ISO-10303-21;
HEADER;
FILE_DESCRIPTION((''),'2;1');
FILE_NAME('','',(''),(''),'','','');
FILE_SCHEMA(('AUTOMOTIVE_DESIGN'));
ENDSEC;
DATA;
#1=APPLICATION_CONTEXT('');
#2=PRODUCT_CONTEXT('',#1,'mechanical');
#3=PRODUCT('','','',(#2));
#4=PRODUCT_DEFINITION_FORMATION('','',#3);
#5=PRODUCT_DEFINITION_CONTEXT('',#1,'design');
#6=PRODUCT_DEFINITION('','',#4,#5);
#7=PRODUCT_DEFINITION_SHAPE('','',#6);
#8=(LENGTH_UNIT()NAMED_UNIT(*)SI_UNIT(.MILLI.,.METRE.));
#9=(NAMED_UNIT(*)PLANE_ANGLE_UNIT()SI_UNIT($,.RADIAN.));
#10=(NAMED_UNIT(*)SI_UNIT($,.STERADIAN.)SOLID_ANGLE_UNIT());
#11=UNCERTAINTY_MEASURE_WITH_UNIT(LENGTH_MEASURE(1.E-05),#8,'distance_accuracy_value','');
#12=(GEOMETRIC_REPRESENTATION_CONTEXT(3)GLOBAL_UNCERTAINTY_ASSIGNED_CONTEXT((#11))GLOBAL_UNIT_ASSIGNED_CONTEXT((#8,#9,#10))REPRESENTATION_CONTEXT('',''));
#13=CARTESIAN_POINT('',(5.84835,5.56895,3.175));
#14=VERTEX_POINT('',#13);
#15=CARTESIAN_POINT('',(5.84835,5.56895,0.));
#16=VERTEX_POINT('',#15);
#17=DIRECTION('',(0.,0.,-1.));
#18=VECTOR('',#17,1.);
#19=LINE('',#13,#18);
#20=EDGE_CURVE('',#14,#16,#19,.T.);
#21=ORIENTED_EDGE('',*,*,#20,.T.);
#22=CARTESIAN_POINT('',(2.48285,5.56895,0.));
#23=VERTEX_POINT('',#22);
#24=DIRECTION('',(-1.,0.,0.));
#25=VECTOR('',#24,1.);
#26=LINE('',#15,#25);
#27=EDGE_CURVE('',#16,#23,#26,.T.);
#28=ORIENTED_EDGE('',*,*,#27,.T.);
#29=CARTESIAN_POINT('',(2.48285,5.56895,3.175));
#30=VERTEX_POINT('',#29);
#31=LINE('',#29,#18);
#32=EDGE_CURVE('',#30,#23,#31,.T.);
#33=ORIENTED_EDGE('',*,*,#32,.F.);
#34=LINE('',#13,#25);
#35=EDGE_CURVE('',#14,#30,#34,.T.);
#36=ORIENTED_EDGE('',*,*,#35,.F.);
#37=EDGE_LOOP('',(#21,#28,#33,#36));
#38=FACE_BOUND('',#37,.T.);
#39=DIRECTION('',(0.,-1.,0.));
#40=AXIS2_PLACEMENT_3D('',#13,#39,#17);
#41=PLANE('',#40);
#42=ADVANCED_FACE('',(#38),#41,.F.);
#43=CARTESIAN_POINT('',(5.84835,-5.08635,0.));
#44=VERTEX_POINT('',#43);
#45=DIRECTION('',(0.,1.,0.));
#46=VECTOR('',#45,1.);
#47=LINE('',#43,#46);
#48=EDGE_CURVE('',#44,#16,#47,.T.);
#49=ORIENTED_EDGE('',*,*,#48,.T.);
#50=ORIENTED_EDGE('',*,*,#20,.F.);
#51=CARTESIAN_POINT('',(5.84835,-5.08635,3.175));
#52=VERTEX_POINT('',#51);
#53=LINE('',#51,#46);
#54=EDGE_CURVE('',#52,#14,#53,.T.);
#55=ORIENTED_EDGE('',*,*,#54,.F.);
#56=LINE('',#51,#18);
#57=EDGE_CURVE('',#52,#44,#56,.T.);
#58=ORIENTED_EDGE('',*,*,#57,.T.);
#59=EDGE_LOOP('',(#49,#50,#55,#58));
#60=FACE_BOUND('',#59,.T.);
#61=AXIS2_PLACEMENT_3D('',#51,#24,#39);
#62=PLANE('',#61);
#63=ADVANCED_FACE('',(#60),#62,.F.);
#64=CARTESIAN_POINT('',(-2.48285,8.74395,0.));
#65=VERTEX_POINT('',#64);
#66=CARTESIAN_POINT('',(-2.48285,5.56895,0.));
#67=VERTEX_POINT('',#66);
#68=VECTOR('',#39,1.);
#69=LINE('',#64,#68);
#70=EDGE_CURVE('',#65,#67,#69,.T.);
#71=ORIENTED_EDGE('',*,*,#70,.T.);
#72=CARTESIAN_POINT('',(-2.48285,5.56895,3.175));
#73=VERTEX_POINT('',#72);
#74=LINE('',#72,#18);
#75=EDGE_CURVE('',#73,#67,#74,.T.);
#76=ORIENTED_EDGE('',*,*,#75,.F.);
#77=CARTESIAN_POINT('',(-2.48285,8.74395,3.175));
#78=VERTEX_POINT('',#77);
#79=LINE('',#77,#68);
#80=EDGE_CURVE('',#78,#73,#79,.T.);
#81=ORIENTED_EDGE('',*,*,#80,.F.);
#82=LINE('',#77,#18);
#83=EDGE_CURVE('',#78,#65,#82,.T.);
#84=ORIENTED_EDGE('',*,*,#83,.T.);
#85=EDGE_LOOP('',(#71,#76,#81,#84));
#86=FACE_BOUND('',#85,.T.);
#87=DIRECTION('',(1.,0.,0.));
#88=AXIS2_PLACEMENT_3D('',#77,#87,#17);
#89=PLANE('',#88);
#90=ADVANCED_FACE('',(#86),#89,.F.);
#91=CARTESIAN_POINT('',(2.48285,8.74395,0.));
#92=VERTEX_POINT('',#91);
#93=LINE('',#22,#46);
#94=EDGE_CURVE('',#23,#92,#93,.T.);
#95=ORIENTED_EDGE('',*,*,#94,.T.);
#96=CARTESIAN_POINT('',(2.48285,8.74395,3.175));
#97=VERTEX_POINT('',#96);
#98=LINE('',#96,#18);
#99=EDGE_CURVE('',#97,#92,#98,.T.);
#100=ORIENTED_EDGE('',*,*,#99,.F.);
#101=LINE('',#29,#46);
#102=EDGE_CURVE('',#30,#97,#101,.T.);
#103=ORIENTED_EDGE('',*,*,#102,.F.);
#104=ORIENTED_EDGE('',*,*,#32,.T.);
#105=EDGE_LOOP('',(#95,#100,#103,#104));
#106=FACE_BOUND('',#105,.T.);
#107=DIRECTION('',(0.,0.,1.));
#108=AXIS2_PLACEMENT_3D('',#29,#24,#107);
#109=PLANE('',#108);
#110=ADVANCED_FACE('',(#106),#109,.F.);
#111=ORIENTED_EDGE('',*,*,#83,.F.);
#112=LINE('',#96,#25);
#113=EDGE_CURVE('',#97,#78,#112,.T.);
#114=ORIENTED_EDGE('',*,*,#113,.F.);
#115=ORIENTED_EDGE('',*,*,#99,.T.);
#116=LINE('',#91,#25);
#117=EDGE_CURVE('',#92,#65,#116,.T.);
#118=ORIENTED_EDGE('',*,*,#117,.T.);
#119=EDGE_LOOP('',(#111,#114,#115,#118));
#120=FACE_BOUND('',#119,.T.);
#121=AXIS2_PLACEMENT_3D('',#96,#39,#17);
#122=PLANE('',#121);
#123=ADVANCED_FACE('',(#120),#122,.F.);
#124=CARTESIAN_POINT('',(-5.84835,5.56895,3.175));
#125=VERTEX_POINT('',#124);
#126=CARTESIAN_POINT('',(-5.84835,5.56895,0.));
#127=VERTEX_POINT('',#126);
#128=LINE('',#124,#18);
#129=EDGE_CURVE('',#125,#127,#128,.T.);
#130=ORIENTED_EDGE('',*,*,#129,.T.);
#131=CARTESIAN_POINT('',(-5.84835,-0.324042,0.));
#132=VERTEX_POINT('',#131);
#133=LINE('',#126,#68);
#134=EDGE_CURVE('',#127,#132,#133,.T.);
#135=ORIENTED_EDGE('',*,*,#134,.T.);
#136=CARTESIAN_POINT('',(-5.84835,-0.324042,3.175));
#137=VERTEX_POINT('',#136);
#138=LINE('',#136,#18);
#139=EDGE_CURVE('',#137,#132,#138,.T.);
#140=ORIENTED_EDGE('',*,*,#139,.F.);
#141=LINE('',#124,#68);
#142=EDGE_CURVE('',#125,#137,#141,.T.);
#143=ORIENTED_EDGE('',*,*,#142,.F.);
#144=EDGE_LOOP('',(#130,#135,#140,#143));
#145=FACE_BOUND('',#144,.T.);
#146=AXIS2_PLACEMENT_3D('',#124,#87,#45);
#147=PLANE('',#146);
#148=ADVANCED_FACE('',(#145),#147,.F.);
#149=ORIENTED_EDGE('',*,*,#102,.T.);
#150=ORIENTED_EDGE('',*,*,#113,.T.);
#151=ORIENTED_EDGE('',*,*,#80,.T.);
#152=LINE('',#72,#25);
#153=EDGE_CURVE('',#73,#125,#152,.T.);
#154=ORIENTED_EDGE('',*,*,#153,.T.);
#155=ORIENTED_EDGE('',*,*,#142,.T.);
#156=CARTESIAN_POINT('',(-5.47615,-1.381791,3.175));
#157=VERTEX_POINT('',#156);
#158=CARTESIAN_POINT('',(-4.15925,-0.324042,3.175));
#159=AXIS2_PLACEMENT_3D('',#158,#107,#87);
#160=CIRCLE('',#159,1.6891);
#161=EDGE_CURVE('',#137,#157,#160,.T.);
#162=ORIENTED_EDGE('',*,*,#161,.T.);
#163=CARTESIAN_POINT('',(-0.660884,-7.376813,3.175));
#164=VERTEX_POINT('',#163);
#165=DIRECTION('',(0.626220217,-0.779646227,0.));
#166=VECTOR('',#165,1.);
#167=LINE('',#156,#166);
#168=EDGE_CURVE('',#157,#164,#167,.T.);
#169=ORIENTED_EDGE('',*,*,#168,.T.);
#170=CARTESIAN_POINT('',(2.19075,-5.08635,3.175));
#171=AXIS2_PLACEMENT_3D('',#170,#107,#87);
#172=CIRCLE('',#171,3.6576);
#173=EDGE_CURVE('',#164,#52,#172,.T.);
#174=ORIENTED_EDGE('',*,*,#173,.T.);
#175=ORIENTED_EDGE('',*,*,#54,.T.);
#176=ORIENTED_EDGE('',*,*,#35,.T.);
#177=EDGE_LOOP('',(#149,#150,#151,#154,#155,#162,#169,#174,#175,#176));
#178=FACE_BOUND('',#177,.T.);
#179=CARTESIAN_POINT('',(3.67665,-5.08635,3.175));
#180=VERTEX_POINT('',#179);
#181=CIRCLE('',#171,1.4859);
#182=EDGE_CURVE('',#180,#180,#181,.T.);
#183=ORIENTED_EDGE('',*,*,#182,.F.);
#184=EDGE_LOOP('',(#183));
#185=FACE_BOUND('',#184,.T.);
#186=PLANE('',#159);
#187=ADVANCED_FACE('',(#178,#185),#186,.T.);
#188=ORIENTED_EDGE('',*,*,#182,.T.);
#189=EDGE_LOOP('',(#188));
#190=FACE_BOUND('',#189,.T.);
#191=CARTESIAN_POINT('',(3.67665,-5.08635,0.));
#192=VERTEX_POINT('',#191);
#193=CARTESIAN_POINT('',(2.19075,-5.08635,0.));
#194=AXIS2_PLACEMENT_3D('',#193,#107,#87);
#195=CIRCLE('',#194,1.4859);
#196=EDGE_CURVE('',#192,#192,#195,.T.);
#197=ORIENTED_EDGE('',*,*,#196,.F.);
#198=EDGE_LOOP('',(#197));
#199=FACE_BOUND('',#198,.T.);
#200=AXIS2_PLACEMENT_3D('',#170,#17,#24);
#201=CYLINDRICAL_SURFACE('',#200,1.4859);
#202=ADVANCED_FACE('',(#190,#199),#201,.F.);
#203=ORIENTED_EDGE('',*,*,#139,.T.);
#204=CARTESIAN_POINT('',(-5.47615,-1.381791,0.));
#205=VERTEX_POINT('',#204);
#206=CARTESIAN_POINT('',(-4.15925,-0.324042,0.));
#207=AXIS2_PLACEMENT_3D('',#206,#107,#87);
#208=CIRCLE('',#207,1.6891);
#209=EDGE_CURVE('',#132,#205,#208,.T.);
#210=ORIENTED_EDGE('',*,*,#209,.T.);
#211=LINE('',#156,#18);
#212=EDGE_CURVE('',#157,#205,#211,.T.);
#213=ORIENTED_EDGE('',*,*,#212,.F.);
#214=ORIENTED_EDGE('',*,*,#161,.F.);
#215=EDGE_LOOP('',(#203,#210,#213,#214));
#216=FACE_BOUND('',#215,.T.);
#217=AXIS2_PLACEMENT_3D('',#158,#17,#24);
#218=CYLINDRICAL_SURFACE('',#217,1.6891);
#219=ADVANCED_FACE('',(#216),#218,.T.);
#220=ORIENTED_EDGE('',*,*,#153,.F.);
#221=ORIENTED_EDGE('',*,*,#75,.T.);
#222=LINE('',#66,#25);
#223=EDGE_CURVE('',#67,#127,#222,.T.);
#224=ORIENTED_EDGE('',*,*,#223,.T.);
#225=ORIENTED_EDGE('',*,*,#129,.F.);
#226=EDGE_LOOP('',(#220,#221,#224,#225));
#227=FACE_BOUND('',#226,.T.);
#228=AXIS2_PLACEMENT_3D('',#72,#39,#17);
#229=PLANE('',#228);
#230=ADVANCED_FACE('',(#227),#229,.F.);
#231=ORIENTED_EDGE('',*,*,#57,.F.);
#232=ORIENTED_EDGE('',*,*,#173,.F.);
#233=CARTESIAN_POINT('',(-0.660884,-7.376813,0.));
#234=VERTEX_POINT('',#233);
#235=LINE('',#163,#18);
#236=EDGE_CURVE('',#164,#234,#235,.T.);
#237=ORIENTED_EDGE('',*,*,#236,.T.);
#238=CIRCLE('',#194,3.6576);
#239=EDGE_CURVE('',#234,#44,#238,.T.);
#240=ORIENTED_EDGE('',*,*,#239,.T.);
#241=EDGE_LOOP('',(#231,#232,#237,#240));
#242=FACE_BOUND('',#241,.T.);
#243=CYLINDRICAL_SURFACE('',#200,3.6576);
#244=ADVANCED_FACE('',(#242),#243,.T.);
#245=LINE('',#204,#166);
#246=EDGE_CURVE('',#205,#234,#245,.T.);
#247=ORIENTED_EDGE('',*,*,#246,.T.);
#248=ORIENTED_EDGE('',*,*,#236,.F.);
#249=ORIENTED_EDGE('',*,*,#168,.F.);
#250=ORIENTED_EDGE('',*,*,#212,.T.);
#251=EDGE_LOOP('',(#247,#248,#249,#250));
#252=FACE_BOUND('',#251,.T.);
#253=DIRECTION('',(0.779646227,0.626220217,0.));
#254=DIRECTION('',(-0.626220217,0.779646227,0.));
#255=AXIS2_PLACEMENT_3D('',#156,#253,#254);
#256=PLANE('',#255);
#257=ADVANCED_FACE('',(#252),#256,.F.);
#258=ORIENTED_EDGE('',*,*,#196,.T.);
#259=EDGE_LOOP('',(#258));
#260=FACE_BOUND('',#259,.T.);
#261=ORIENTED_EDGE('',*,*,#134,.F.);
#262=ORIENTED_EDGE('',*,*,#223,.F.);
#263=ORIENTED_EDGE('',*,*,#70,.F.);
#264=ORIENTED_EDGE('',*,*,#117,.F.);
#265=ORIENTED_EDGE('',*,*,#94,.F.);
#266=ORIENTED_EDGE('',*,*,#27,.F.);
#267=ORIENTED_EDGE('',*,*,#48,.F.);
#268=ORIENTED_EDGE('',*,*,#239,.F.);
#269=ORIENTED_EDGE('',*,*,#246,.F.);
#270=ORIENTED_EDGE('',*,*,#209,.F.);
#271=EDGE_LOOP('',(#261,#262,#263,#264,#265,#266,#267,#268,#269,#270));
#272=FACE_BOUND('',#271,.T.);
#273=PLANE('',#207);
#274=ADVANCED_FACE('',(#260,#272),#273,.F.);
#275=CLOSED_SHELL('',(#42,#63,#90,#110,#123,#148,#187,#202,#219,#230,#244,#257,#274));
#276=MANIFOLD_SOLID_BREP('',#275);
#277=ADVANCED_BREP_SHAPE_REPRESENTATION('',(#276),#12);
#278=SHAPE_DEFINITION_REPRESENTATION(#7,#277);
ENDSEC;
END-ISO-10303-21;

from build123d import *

# Parameters (mm, degrees)
SKETCH1_R           = 1.4859
BOSS_EXTRUDE1_DEPTH = 3.175


with BuildPart() as part:
    # Sketch1 → Boss-Extrude1 (new body)
    with BuildSketch(Plane.XY):
        with BuildLine():
            Line((-5.476150442, -1.381790583), (-0.66088404, -7.376813067))
            ThreePointArc((-0.66088404, -7.376813067), (3.40481365, -8.536580023), (5.84835, -5.08635))
            Line((5.84835, -5.08635), (5.84835, 5.56895))
            Line((5.84835, 5.56895), (2.48285, 5.56895))
            Line((2.48285, 5.56895), (2.48285, 8.74395))
            Line((2.48285, 8.74395), (-2.48285, 8.74395))
            Line((-2.48285, 8.74395), (-2.48285, 5.56895))
            Line((-2.48285, 5.56895), (-5.84835, 5.56895))
            Line((-5.84835, 5.56895), (-5.84835, -0.324042014))
            ThreePointArc((-5.84835, -0.324042014), (-5.752585393, -0.884703352), (-5.476150442, -1.381790583))
        make_face()
        with Locations((2.19075, -5.08635)):
            Circle(SKETCH1_R, mode=Mode.SUBTRACT)
    extrude(amount=BOSS_EXTRUDE1_DEPTH)


solid = part.part
